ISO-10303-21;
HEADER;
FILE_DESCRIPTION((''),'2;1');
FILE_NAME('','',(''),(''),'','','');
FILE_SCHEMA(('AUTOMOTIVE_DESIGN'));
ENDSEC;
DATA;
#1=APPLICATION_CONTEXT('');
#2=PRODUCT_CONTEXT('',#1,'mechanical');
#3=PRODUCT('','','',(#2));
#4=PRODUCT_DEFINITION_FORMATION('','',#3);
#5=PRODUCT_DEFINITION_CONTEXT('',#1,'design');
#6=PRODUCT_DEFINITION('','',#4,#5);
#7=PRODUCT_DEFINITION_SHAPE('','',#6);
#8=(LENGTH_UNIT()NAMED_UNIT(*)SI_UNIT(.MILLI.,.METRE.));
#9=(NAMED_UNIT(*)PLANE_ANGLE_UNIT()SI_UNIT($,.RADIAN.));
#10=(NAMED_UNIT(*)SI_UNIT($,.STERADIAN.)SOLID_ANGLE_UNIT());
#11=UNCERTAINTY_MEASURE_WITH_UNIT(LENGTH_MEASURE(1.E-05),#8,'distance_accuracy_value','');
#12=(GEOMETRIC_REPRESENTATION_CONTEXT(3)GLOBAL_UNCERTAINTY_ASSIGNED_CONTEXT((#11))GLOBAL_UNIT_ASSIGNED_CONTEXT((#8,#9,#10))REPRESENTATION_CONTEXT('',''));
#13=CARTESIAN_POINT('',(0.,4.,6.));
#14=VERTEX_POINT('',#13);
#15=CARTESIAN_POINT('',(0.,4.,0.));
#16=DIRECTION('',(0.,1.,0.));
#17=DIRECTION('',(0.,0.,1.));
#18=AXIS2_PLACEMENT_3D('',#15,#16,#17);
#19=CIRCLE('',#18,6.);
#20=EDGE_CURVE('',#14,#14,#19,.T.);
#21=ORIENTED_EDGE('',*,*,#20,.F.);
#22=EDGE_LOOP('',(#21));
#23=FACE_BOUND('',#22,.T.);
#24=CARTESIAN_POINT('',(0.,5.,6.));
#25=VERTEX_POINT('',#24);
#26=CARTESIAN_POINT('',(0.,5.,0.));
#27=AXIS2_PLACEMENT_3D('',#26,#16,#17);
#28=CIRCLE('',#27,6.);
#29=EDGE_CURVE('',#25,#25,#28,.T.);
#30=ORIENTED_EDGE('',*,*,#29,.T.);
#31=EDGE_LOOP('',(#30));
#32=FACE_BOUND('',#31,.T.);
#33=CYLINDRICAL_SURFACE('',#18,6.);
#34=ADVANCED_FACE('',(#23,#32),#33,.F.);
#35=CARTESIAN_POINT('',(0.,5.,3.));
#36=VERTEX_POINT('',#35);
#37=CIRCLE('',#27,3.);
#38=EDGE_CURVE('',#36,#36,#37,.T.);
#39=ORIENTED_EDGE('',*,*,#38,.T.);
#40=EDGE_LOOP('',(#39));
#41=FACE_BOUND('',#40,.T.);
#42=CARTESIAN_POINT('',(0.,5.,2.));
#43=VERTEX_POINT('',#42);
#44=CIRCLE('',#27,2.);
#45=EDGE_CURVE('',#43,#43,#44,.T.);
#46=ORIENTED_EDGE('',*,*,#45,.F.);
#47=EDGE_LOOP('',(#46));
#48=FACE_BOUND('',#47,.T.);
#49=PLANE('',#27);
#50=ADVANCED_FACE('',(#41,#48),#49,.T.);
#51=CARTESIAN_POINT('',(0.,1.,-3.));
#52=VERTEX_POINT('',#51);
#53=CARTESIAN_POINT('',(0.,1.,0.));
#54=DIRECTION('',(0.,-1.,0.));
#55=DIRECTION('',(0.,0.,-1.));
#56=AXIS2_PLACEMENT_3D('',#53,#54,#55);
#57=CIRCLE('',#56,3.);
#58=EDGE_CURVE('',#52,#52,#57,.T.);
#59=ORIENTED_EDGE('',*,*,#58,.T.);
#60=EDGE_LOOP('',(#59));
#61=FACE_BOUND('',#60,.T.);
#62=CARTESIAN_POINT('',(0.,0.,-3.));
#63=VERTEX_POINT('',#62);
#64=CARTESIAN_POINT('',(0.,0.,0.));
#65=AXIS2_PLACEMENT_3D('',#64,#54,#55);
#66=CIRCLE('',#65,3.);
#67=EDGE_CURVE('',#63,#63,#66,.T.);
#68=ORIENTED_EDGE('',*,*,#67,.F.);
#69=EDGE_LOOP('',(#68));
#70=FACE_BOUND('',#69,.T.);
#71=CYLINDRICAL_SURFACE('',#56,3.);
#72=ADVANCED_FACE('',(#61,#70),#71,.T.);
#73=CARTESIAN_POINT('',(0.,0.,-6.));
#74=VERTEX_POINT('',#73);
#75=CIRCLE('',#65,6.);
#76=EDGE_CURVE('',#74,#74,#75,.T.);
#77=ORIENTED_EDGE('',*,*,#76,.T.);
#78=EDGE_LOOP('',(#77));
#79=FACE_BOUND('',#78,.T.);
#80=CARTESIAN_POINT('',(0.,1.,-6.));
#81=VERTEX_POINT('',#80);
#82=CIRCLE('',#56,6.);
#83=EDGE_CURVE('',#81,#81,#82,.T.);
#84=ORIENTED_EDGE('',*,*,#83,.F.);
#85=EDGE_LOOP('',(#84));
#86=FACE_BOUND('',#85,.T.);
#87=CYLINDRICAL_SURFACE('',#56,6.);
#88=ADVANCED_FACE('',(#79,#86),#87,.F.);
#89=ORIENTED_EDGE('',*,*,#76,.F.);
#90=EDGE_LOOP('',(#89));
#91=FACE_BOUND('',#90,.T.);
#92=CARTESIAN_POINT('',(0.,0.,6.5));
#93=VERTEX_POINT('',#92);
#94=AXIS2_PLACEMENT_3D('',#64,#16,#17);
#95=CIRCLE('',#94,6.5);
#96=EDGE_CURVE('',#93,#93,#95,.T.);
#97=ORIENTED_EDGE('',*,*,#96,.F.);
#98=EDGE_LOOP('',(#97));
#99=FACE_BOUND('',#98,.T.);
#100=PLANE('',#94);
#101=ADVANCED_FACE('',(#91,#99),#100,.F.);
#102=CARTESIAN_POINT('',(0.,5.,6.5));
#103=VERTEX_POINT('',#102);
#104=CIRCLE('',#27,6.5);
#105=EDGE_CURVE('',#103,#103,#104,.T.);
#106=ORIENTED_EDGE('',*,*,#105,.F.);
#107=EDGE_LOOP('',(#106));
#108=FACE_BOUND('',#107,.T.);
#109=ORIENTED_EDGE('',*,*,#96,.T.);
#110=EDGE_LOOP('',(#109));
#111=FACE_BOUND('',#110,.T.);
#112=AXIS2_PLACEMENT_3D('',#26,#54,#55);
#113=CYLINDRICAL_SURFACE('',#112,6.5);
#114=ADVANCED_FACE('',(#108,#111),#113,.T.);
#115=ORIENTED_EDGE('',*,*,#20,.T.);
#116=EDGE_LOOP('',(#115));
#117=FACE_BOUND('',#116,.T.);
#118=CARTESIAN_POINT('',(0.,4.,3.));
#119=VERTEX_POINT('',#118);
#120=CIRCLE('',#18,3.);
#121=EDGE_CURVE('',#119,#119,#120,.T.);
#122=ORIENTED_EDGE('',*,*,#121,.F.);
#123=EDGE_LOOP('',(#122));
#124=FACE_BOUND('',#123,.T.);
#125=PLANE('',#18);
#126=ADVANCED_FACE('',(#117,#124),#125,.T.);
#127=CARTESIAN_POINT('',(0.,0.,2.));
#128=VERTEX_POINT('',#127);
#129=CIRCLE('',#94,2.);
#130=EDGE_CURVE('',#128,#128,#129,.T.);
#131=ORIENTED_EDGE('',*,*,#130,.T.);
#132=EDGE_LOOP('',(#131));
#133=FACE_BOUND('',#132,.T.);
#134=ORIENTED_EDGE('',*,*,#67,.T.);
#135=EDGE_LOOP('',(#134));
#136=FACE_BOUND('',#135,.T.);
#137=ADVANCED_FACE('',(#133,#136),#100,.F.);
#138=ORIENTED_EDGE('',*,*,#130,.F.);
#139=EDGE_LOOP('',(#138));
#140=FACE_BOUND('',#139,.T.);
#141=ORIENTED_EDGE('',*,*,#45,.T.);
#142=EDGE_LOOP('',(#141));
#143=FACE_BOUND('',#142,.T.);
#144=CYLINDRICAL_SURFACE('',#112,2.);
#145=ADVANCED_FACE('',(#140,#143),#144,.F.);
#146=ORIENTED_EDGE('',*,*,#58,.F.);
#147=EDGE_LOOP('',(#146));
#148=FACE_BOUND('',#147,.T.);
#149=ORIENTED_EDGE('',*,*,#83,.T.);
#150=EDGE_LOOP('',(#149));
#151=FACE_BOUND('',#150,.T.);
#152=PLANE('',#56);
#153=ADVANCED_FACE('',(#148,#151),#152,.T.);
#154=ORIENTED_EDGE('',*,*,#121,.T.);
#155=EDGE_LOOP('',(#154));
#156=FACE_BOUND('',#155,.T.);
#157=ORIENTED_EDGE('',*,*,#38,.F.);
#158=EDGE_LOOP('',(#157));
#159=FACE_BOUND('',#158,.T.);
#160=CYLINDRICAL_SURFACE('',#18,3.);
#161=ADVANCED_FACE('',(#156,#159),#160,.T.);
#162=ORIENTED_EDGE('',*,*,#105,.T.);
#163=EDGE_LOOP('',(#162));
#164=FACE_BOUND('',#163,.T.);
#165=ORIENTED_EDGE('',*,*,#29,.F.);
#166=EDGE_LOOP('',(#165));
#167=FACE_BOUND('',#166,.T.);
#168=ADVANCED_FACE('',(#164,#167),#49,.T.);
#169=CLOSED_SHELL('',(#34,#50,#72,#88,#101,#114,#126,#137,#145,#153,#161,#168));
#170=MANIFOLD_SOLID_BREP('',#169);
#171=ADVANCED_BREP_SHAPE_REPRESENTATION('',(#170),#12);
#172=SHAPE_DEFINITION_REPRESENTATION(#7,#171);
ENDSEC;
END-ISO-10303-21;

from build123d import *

# Parameters (mm, degrees)
SKETCH_1_R          = 6.5
SKETCH_1_R_2        = 2
EXTRUDE_1_DEPTH     = 5
SKETCH_2_R          = 6
SKETCH_2_R_2        = 3
CUT_EXTRUDE_1_DEPTH = 1
CUT_EXTRUDE_START   = -1
SKETCH_3_R          = 6
SKETCH_3_R_2        = 3
CUT_EXTRUDE_2_DEPTH = 1


with BuildPart() as part:
    # Эскиз1 → Бобышка-Вытянуть1 (new body)
    with BuildSketch(Plane(origin=(0, 0, 0), x_dir=(1, 0, 0), z_dir=(0, 1, 0))):
        with Locations(Location((0, 0, 0), (0, 0, 270))):
            Circle(SKETCH_1_R)
        with Locations(Location((0, 0, 0), (0, 0, 270))):
            Circle(SKETCH_1_R_2, mode=Mode.SUBTRACT)
    extrude(amount=EXTRUDE_1_DEPTH)

    # Эскиз2 → Вырез-Вытянуть1 (cut)
    with BuildSketch(Plane(origin=(0, 5, 0), x_dir=(1, 0, 0), z_dir=(0, 1, 0))):
        with Locations(Location((0, 0, 0), (0, 0, 270))):
            Circle(SKETCH_2_R)
        with Locations(Location((0, 0, 0), (0, 0, 270))):
            Circle(SKETCH_2_R_2, mode=Mode.SUBTRACT)
    extrude(amount=-CUT_EXTRUDE_1_DEPTH, mode=Mode.SUBTRACT)

    # Эскиз3 → Вырез-Вытянуть2 (cut)
    with BuildSketch(Plane.XZ.offset(CUT_EXTRUDE_START)):
        with Locations(Location((0, 0, 0), (0, 0, 90))):
            Circle(SKETCH_3_R)
        with Locations(Location((0, 0, 0), (0, 0, 90))):
            Circle(SKETCH_3_R_2, mode=Mode.SUBTRACT)
    extrude(amount=CUT_EXTRUDE_2_DEPTH, mode=Mode.SUBTRACT)


solid = part.part
